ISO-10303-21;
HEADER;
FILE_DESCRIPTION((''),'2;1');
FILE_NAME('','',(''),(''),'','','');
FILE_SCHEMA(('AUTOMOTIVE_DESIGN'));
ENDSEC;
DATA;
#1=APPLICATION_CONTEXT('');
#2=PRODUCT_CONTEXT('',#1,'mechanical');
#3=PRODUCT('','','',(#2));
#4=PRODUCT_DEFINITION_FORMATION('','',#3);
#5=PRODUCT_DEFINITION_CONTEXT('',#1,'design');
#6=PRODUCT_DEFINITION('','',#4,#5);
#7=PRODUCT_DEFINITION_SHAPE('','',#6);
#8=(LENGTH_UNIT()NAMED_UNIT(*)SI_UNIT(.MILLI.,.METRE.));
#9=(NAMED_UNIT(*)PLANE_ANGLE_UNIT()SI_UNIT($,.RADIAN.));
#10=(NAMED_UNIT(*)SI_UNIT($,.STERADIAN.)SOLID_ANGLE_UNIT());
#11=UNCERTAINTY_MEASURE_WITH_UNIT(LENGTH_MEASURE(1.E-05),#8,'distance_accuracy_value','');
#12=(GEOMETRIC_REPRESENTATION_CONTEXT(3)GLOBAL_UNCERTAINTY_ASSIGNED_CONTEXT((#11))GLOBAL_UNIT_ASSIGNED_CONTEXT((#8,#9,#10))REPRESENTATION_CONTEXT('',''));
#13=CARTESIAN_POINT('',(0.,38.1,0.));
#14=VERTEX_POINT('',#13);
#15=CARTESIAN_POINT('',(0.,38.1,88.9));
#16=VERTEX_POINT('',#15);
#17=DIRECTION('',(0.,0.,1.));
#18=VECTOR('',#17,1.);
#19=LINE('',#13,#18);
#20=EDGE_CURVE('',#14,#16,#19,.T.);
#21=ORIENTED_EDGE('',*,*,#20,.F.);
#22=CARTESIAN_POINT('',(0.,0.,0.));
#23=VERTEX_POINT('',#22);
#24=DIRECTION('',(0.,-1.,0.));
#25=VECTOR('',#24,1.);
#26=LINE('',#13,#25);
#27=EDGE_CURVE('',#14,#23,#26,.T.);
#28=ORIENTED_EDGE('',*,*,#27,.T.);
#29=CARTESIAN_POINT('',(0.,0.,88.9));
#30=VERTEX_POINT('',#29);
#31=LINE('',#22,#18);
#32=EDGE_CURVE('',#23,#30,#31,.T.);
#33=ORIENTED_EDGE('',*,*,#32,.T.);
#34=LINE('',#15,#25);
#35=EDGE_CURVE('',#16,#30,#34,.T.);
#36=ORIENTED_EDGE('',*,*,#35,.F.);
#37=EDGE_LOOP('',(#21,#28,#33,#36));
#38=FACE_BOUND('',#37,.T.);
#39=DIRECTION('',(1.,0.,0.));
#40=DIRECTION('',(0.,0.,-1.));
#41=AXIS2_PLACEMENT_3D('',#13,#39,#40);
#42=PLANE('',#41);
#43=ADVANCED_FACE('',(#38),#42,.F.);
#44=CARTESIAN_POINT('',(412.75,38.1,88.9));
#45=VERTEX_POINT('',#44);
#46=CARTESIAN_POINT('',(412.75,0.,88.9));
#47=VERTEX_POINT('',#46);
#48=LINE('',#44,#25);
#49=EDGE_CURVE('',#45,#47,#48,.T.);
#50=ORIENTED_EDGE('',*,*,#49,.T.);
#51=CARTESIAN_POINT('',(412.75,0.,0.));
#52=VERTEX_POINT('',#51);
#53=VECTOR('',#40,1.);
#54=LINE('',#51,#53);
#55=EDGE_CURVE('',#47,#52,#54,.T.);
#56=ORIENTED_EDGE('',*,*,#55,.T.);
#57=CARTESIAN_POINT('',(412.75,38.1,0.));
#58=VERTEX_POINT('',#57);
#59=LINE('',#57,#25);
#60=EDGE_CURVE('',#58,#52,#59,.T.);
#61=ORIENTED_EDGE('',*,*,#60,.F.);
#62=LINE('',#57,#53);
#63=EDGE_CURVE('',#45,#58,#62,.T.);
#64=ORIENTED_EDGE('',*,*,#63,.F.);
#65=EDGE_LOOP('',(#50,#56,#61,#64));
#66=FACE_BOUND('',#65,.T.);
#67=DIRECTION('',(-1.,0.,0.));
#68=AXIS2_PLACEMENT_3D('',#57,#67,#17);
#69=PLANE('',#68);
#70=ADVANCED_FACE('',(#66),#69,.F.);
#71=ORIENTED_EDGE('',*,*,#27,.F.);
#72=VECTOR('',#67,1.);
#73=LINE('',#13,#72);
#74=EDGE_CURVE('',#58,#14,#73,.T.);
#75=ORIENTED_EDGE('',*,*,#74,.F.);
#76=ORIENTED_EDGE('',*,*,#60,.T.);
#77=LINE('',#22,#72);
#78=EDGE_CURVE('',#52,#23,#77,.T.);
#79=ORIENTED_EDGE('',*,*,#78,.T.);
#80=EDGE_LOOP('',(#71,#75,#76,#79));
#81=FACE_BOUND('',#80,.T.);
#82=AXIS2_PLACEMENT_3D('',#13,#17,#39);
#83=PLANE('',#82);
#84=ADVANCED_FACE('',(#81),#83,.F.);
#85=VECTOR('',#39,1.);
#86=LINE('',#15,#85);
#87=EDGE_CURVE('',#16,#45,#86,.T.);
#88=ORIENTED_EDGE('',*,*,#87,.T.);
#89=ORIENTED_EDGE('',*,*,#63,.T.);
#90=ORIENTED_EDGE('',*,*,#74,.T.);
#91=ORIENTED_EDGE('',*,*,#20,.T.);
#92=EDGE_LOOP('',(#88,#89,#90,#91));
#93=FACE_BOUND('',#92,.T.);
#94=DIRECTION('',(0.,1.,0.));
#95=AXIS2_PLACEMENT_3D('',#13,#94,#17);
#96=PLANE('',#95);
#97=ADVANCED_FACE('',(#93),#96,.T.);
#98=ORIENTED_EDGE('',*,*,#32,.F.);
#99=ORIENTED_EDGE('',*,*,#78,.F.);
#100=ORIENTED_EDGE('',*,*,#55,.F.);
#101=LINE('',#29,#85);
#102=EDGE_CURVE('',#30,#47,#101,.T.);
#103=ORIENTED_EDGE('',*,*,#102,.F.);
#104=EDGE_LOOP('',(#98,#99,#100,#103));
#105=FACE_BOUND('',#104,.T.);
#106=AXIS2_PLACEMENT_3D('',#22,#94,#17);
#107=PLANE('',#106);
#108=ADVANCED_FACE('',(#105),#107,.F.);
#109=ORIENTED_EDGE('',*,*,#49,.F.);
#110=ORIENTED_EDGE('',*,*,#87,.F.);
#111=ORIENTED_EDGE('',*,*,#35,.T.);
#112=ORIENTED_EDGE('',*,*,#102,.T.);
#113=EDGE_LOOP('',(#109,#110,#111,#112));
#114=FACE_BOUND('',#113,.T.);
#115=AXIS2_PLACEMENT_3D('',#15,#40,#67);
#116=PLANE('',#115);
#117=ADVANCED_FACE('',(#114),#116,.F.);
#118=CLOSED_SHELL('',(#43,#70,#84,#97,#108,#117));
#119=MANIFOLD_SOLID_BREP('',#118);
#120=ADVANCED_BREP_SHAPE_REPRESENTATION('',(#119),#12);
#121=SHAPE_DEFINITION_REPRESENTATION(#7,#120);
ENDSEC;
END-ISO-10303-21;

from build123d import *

# Parameters (mm, degrees)
SKETCH1_W           = 412.75
SKETCH1_H           = 88.9
BOSS_EXTRUDE1_DEPTH = 38.1


with BuildPart() as part:
    # Sketch1 → Boss-Extrude1 (new body)
    with BuildSketch(Plane(origin=(0, 0, 0), x_dir=(1, 0, 0), z_dir=(0, 1, 0))):
        with Locations((206.375, -44.45)):
            Rectangle(SKETCH1_W, SKETCH1_H)
    extrude(amount=BOSS_EXTRUDE1_DEPTH)


solid = part.part
